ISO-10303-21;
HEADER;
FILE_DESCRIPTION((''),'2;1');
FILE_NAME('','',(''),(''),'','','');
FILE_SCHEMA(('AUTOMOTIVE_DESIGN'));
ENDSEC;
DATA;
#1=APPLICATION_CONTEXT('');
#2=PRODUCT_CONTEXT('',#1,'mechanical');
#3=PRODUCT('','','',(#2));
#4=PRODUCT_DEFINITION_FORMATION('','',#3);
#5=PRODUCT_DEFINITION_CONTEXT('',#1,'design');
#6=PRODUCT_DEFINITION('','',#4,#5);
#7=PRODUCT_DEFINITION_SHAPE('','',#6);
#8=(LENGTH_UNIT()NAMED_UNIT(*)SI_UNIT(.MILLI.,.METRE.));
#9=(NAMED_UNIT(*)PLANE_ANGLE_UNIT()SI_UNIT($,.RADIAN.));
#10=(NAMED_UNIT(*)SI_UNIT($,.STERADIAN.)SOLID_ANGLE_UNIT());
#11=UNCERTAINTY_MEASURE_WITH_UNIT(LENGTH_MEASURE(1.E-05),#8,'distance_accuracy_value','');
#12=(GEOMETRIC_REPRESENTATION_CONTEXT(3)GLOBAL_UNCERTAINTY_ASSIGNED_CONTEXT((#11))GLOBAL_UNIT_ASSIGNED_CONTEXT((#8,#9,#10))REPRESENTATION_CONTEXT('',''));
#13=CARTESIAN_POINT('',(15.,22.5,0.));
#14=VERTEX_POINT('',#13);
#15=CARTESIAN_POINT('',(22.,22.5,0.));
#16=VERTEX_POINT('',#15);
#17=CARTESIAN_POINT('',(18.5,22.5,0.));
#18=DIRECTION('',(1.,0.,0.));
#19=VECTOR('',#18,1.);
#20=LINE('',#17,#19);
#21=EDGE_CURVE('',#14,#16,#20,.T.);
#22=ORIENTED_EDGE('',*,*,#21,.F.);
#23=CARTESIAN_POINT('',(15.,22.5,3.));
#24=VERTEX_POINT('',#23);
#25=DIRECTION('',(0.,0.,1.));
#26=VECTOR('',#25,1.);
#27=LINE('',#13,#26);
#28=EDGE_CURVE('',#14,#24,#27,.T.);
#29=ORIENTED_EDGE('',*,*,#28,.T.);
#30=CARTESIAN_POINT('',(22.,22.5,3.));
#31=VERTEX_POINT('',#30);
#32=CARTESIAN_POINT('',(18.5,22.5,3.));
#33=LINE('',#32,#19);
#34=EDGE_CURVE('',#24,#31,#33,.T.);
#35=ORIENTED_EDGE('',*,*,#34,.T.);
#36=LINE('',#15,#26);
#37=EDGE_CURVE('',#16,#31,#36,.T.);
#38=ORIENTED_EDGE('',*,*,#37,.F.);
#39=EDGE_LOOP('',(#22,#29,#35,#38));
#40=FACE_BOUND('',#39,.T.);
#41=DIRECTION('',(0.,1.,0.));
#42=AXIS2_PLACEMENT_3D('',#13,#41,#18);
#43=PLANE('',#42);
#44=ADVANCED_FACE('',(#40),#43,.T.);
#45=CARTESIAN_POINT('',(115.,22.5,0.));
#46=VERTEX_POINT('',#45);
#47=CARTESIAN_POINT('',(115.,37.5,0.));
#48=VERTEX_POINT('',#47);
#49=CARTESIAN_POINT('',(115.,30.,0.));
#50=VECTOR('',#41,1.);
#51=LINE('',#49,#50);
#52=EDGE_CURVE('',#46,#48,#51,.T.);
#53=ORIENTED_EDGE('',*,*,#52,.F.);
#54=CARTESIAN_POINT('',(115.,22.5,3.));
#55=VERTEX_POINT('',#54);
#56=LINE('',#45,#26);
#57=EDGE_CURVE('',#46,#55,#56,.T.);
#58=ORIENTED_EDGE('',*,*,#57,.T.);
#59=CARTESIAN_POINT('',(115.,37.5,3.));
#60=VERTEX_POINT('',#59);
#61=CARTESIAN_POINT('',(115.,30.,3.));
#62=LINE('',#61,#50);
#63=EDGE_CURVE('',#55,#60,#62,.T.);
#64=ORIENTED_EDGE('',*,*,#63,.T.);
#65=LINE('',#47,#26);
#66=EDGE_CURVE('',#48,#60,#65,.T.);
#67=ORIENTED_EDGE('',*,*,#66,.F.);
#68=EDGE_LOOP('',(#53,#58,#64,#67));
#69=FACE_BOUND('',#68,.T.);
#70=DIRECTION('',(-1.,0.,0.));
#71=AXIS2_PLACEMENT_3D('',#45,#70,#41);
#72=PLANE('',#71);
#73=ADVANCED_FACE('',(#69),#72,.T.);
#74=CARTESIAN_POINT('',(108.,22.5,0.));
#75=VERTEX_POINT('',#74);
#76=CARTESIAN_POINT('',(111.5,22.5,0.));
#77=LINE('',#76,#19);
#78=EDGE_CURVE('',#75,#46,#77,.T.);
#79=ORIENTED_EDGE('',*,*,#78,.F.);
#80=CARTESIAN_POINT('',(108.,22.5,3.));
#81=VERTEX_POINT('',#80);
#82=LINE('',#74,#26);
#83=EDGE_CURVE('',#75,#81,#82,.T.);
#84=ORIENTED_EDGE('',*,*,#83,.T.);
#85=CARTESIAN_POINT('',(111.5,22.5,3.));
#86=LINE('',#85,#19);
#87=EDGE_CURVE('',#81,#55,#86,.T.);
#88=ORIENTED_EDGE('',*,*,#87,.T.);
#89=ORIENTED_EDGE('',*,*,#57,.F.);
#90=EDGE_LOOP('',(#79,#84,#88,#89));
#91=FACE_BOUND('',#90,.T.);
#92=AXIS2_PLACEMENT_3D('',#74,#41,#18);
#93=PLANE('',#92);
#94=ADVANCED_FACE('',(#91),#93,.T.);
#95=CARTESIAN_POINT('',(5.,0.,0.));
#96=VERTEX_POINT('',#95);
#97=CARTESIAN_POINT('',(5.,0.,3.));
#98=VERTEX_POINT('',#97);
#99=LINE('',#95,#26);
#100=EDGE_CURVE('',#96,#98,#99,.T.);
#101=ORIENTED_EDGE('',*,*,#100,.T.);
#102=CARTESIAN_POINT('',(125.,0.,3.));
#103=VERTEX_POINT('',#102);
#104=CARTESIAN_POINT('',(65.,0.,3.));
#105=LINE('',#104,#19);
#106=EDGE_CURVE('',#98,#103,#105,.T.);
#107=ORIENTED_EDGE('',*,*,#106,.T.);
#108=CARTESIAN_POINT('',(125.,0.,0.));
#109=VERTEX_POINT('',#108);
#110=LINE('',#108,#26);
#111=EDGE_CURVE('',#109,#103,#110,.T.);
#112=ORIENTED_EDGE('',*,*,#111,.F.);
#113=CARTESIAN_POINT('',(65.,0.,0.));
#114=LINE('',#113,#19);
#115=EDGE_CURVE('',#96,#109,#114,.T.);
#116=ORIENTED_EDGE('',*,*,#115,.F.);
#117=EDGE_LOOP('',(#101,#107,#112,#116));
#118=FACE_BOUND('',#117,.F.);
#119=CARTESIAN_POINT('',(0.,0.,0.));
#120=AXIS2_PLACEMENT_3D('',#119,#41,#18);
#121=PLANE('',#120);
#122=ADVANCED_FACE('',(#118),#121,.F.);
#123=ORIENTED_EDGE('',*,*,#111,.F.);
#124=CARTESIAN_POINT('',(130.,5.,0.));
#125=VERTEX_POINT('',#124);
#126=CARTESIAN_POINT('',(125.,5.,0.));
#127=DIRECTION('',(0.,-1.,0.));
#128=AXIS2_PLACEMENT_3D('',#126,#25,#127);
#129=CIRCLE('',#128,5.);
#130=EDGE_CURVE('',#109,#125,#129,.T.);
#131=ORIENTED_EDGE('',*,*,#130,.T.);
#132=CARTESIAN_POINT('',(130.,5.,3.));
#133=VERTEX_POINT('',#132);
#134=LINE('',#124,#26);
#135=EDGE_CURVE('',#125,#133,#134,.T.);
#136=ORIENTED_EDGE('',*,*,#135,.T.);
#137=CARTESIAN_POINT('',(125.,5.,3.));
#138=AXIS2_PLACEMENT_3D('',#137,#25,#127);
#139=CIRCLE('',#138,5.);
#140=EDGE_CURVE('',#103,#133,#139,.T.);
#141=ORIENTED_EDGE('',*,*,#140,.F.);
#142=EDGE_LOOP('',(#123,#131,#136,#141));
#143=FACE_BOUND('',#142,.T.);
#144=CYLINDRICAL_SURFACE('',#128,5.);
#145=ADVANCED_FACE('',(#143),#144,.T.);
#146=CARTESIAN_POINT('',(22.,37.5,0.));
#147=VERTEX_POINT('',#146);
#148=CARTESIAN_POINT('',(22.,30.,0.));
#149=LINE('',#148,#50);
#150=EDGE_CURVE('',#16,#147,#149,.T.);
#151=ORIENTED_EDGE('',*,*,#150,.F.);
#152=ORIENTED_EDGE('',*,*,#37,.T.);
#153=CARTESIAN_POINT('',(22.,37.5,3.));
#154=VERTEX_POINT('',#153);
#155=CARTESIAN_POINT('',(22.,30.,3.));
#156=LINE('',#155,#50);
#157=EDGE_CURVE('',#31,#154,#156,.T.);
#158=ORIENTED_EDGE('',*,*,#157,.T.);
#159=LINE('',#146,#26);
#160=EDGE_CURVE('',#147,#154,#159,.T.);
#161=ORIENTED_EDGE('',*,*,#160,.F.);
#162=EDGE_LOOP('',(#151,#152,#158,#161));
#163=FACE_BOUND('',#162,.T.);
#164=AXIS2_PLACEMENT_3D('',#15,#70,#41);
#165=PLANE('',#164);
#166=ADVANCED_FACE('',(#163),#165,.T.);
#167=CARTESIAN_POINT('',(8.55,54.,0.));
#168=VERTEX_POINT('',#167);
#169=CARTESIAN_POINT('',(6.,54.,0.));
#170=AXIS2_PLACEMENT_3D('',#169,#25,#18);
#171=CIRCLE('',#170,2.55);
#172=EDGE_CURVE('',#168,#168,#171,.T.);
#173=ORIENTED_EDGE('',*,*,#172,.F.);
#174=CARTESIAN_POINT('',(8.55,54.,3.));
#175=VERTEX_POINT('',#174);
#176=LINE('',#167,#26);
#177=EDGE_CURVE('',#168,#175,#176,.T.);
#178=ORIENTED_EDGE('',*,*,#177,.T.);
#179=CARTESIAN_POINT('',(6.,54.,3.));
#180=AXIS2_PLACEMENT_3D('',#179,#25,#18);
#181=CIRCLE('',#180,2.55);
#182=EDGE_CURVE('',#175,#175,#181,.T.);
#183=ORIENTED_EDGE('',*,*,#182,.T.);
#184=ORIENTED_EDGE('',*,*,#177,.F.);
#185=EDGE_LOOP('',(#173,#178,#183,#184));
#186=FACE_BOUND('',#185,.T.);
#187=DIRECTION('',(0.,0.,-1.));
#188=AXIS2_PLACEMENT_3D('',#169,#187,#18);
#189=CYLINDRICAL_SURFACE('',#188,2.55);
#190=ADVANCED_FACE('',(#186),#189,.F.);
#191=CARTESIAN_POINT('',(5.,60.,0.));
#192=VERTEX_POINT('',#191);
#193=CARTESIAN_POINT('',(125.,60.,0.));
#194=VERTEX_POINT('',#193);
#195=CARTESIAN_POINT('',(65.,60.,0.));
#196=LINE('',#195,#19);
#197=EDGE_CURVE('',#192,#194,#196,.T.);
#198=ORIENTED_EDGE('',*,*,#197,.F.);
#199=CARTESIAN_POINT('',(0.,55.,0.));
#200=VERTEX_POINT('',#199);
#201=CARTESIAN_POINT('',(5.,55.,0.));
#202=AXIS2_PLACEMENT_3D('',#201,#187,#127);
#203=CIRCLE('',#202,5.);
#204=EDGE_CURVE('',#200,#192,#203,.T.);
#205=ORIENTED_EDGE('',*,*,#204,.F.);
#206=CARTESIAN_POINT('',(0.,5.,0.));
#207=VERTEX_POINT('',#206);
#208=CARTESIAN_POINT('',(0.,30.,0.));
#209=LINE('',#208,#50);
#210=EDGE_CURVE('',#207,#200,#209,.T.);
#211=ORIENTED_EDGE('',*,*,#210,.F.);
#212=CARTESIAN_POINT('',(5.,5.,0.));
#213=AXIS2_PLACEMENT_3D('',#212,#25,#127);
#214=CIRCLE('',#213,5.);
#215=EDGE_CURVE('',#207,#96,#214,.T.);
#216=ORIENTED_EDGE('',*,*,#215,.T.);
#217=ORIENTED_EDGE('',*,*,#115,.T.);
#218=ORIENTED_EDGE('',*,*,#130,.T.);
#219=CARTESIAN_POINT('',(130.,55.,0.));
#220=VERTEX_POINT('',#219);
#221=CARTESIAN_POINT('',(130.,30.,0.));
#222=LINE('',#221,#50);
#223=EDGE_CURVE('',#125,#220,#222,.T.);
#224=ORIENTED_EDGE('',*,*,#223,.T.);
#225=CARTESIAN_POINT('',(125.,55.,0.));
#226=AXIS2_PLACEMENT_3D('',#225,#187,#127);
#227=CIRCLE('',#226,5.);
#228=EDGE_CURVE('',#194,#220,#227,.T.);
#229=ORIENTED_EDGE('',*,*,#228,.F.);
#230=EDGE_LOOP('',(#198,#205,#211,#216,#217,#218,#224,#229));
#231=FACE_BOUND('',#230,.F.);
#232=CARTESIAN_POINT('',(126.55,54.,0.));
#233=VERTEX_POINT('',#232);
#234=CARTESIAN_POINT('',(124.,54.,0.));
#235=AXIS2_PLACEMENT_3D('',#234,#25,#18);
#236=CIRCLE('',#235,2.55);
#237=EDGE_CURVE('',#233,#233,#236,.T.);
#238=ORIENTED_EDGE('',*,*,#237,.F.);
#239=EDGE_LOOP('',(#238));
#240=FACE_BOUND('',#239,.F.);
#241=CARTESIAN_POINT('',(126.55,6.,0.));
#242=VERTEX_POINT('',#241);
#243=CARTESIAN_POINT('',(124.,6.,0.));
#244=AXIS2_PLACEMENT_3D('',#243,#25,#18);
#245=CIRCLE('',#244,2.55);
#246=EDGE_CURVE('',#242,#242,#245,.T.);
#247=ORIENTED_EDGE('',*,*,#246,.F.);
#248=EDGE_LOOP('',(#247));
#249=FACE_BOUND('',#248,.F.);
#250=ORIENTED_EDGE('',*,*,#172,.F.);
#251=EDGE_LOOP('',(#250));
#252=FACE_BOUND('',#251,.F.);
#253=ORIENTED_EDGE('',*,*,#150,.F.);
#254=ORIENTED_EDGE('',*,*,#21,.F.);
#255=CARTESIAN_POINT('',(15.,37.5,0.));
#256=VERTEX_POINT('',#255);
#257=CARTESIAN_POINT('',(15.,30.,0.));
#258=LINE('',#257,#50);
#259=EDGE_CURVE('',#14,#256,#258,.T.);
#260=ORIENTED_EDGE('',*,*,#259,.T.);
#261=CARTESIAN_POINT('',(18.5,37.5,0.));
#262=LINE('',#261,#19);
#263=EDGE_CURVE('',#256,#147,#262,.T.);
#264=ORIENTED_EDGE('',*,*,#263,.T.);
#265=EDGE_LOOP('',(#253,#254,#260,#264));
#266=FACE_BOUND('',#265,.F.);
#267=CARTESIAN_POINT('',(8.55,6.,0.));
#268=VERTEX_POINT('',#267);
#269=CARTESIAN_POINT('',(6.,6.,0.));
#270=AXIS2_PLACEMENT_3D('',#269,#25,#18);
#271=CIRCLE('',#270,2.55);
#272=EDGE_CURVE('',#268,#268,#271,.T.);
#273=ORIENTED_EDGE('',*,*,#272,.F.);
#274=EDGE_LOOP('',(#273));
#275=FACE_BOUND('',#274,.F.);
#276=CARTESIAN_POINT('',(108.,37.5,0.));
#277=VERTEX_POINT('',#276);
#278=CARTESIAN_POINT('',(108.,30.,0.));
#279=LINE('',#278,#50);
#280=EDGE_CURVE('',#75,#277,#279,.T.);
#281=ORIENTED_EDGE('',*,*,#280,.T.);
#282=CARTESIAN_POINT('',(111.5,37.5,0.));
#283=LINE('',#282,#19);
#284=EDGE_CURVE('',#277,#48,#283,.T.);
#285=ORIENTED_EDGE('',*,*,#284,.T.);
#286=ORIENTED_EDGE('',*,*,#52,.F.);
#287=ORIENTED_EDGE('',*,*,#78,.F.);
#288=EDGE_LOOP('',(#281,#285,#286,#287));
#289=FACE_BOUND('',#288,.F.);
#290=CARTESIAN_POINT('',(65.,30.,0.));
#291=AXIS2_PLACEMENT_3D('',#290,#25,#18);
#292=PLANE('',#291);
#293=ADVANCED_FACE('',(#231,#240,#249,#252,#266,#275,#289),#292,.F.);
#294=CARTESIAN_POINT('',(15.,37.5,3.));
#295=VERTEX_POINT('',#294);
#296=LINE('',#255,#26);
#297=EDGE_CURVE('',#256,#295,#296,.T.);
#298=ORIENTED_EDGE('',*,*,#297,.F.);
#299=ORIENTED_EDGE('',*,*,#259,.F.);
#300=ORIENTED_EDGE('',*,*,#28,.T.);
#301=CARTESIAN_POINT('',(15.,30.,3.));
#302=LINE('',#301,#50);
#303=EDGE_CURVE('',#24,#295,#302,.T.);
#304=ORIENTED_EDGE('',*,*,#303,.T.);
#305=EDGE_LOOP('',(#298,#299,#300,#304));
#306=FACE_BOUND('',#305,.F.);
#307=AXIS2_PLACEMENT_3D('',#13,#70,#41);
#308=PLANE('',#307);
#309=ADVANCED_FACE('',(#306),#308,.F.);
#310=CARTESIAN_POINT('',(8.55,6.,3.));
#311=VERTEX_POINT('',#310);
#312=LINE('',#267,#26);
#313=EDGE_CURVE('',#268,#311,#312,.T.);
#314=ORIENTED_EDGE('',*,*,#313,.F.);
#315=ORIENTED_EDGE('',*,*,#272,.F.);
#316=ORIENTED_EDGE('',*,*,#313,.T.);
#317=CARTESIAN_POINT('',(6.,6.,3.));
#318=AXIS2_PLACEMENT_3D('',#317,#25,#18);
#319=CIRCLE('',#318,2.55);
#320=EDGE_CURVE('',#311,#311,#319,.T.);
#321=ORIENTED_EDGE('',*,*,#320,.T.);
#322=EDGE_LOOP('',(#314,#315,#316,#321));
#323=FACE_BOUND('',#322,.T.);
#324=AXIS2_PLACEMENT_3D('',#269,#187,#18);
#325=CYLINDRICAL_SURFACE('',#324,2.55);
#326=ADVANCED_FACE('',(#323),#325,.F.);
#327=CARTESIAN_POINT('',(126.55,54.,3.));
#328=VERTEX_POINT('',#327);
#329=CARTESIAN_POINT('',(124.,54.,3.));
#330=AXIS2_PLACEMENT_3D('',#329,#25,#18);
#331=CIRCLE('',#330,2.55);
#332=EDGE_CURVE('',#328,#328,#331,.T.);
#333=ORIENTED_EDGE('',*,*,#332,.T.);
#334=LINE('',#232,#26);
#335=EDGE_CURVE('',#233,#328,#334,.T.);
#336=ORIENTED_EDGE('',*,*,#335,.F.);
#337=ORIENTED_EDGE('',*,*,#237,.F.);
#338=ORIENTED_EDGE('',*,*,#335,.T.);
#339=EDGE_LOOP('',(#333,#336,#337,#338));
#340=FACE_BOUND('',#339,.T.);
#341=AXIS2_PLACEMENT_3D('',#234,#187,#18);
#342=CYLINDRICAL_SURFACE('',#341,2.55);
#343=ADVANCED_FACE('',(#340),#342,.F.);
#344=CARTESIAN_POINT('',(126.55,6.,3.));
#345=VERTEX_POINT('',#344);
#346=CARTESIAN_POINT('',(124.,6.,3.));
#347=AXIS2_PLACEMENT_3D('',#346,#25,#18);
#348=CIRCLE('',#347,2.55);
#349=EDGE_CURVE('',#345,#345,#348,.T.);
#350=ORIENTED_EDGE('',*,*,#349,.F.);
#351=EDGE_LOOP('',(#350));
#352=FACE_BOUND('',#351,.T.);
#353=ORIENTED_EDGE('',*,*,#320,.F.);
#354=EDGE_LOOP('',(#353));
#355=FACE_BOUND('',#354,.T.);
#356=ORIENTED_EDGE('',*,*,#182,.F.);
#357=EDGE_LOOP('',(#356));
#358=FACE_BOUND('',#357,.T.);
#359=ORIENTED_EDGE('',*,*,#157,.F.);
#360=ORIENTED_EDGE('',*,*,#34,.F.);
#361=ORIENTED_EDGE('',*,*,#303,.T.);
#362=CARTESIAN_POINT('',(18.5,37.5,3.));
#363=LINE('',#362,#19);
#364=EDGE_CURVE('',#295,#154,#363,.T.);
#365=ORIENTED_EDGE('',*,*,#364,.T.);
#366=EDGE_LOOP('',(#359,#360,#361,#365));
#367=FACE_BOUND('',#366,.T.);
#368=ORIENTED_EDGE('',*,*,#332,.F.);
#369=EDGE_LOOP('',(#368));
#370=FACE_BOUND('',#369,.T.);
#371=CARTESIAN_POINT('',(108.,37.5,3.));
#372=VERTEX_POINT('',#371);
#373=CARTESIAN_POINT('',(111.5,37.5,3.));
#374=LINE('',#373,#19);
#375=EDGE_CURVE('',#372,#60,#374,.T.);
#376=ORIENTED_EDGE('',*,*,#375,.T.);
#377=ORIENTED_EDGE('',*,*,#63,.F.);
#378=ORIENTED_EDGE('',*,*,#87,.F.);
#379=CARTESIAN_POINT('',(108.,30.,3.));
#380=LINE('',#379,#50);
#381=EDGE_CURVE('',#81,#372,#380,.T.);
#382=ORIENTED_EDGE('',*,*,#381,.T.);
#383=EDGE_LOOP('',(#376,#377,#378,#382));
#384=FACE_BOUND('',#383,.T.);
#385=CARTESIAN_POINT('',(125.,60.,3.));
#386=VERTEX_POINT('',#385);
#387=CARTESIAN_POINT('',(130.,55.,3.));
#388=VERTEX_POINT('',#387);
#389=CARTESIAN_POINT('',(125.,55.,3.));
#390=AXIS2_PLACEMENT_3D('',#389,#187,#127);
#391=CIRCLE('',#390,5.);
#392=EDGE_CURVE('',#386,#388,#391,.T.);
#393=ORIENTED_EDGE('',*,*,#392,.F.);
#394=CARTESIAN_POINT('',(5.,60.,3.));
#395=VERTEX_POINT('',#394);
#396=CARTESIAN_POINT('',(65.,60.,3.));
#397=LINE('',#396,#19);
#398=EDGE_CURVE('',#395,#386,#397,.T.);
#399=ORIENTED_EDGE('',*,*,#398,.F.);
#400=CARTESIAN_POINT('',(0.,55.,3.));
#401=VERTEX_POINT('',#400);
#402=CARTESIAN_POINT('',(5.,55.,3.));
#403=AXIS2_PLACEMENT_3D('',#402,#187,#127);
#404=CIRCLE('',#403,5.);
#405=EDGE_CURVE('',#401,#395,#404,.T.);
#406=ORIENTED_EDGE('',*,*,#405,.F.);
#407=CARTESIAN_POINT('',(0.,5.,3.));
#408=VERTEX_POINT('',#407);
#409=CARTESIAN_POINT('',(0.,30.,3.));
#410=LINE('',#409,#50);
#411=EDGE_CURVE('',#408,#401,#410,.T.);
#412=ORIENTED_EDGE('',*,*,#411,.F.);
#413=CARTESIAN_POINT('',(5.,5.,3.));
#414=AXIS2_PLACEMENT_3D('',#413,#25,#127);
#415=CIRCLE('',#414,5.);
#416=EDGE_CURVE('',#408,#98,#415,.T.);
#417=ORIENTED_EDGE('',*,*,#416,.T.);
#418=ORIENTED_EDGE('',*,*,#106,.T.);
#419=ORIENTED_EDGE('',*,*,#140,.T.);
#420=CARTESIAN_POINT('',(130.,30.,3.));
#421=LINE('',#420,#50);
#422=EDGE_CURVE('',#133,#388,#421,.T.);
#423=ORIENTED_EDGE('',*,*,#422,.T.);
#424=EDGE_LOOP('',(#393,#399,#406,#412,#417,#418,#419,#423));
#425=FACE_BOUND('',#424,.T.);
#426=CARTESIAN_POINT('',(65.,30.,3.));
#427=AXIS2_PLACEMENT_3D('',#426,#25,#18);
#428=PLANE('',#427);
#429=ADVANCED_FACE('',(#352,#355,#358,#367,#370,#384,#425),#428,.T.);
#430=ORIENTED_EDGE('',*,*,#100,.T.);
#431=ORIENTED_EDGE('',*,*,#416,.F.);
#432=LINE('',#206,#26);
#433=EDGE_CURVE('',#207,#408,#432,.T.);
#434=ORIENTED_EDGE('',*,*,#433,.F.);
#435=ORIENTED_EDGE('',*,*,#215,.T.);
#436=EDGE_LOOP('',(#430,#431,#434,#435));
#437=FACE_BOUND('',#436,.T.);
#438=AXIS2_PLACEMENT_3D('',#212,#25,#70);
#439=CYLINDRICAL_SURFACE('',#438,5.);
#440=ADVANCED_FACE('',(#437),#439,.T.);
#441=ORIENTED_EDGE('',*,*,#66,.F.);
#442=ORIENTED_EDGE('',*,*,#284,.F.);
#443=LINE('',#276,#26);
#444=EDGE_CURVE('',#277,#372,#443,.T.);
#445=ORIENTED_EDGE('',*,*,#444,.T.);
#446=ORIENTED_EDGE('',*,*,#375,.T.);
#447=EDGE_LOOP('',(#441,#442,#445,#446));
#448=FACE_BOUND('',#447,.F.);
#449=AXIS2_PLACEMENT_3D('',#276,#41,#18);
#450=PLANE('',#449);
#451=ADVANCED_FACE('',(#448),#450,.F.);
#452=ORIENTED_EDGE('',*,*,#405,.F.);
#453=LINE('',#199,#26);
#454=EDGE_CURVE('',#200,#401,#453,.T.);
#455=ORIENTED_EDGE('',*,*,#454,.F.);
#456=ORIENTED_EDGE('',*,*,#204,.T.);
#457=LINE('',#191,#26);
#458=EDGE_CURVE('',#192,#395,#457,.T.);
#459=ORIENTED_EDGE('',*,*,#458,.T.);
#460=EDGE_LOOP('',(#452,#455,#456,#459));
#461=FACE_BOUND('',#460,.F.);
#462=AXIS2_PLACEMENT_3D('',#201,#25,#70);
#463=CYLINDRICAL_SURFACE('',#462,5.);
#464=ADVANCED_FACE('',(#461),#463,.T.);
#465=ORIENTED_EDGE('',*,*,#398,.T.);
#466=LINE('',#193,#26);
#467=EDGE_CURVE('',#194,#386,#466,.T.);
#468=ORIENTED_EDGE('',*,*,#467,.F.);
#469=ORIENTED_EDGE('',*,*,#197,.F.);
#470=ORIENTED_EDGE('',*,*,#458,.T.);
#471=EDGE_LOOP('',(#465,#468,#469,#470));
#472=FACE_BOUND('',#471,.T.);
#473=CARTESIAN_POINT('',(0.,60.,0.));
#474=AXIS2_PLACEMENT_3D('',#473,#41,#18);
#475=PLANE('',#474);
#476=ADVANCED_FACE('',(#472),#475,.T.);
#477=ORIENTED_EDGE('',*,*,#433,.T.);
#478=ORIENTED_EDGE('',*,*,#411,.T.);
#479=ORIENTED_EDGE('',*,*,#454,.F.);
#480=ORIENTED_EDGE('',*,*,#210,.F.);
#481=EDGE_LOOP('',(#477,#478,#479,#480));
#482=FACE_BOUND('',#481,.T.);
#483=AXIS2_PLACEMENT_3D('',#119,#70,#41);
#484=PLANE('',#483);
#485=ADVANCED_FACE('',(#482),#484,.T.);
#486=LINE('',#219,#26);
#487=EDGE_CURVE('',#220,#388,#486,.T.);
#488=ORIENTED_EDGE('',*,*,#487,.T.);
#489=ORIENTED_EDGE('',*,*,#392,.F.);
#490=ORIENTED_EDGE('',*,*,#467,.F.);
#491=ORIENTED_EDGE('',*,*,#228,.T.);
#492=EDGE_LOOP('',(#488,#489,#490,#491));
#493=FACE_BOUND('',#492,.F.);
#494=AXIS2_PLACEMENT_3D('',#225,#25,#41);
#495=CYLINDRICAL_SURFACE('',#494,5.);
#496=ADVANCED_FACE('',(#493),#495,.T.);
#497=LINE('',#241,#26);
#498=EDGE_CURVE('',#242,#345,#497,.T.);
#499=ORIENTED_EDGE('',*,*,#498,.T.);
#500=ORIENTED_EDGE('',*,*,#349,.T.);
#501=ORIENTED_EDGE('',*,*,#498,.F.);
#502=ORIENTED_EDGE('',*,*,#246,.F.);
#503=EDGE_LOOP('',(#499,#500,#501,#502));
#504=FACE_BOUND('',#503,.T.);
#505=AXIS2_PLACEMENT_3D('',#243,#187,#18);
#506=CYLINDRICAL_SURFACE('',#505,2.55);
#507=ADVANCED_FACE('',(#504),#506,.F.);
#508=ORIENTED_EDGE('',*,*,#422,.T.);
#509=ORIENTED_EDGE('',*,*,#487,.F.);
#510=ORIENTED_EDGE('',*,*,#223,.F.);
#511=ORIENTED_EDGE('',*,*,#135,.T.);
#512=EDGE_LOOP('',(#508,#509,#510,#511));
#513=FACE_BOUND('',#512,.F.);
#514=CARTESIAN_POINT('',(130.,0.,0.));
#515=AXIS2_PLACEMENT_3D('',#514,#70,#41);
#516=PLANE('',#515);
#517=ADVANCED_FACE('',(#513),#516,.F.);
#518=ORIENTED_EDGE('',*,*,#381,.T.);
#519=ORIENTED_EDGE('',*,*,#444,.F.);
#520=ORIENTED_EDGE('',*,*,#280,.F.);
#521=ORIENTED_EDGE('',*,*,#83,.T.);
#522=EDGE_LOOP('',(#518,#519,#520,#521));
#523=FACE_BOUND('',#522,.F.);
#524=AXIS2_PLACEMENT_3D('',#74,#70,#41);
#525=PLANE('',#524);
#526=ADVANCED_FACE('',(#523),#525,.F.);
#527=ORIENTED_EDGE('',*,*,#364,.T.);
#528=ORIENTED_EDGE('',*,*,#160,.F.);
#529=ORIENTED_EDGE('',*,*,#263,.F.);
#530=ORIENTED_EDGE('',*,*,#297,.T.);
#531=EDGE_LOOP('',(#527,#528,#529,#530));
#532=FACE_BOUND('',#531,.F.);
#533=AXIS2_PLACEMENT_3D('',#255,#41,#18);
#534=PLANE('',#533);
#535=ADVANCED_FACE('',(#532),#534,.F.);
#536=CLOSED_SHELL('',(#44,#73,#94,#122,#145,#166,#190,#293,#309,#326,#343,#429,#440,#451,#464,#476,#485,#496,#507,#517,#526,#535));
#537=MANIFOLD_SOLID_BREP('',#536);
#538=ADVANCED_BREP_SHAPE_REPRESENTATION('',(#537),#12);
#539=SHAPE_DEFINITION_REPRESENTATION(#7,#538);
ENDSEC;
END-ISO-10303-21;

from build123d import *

# Parameters (mm, degrees)
F0_W     = 130
F0_H     = 60
F0_R     = 2.55
F0_W_2   = 7
F0_H_2   = 15
F1_DEPTH = 3
F2_R     = 5


with BuildPart() as f1:
    # F0 (on Top) → F1 (new body)
    with BuildSketch(Plane.XY):
        with Locations((65, 30)):
            Rectangle(F0_W, F0_H)
        with Locations((6, 6)):
            Circle(F0_R, mode=Mode.SUBTRACT)
        with Locations((124, 6)):
            Circle(F0_R, mode=Mode.SUBTRACT)
        with Locations((18.5, 30)):
            Rectangle(F0_W_2, F0_H_2, mode=Mode.SUBTRACT)
        with Locations((6, 54)):
            Circle(F0_R, mode=Mode.SUBTRACT)
        with Locations((111.5, 30)):
            Rectangle(F0_W_2, F0_H_2, mode=Mode.SUBTRACT)
        with Locations((124, 54)):
            Circle(F0_R, mode=Mode.SUBTRACT)
    extrude(amount=F1_DEPTH)

    # F2
    f2_edges = [f1.edges().sort_by_distance(p)[0] for p in [
        (130, 0, 1.5),
        (130, 60, 1.5),
        (0, 0, 1.5),
        (0, 60, 1.5),
    ]]
    fillet(f2_edges, radius=F2_R)


solid = f1.part
